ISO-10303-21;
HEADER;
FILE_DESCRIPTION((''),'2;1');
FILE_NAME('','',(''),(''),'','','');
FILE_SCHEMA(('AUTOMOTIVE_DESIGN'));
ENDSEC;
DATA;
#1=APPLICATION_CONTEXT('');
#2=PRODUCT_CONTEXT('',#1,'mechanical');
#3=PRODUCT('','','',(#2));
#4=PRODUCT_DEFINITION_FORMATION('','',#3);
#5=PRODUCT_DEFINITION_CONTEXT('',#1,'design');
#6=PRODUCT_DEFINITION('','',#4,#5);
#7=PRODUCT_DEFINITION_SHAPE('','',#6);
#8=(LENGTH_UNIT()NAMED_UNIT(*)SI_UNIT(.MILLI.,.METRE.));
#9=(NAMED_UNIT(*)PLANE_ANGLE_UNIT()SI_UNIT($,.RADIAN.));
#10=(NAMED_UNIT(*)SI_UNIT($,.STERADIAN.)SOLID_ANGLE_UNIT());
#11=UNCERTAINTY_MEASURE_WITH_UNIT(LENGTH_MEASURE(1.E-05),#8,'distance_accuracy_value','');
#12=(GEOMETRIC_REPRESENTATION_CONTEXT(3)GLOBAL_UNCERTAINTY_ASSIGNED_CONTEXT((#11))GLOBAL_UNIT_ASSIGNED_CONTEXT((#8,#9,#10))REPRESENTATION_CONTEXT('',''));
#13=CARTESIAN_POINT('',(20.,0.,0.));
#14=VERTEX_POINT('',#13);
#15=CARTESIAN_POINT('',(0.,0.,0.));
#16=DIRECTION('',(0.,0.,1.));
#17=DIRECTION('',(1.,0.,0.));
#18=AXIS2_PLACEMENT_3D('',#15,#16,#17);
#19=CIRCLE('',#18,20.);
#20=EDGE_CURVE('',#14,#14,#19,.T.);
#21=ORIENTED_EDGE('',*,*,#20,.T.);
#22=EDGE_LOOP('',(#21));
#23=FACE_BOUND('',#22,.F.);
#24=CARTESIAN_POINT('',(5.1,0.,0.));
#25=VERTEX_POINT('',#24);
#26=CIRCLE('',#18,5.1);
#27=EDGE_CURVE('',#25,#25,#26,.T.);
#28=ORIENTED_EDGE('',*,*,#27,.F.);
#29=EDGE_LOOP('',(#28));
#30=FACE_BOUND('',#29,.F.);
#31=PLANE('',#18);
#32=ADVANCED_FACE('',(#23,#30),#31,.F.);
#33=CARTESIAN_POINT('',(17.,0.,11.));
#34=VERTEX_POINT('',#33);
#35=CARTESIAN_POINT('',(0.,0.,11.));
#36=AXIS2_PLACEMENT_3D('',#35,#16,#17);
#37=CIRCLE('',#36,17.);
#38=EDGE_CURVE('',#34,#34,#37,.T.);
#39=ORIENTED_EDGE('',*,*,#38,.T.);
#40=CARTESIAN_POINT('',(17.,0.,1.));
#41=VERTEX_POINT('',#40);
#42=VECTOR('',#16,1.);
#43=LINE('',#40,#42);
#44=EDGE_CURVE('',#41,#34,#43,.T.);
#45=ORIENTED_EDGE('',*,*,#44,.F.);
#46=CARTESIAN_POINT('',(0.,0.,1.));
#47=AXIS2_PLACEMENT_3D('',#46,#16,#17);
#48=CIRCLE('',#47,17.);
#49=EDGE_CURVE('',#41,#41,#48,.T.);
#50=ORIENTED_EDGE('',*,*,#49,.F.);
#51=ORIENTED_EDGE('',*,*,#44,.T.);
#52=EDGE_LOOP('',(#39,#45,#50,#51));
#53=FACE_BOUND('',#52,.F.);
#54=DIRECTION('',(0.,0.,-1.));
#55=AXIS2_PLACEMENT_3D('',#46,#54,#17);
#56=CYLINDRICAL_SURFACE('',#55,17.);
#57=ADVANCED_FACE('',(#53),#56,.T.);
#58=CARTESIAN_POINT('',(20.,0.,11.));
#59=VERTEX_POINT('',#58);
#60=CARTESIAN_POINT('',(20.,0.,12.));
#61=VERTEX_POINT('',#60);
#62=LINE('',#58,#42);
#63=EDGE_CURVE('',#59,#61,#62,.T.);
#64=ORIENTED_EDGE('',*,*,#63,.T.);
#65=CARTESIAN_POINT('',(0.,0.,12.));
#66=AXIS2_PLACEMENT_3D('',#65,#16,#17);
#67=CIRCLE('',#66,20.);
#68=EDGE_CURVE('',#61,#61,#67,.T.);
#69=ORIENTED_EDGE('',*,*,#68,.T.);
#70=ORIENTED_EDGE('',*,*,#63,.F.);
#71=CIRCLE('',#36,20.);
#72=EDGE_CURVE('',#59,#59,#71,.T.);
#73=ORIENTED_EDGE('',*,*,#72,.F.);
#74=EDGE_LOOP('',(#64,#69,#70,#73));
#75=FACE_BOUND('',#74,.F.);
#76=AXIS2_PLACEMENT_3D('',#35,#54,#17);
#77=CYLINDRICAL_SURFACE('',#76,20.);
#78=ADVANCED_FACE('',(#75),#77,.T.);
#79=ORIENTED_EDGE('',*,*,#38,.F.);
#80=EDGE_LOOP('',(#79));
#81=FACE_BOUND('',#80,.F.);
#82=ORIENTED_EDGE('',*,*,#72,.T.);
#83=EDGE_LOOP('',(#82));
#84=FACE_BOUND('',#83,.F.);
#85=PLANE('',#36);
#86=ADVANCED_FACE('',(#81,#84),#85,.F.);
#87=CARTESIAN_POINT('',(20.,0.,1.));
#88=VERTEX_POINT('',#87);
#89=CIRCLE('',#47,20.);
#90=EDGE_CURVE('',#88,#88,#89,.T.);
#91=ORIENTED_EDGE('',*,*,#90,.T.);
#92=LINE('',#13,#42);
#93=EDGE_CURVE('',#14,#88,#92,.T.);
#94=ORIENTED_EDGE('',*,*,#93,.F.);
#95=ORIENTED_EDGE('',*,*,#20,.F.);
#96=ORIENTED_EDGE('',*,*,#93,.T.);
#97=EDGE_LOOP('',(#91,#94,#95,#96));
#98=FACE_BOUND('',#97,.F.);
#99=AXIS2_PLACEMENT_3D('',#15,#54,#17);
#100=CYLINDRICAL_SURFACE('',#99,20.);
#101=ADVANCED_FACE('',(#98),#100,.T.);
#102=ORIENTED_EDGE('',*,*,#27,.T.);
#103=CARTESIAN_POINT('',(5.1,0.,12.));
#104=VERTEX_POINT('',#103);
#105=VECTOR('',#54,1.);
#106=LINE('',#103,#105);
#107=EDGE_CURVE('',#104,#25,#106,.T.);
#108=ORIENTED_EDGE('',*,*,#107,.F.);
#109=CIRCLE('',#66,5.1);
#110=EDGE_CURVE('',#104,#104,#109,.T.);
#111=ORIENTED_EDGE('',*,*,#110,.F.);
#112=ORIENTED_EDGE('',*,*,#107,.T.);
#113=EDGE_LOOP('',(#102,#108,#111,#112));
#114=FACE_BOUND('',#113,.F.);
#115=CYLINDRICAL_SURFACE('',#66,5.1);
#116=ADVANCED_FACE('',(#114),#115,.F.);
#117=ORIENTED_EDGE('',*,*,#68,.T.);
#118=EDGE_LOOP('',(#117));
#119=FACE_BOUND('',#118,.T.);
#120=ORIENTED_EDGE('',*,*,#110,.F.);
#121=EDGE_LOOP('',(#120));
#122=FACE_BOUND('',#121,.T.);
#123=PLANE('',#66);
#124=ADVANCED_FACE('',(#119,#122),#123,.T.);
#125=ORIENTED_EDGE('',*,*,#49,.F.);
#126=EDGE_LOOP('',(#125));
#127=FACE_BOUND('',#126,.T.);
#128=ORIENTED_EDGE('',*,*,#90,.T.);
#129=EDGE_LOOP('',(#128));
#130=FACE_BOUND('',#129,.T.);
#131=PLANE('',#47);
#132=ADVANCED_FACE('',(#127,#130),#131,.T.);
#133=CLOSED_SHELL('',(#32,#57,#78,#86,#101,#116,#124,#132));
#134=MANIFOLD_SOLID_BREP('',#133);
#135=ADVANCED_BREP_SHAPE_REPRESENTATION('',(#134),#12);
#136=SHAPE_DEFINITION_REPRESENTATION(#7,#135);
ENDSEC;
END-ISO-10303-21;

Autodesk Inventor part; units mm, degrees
ref_plane "YZ Plane" through (0, 0, 0) normal (1, 0, 0) x (0, 1, 0)
ref_plane "XZ Plane" through (0, 0, 0) normal (0, 1, 0) x (-1, 0, 0)
ref_plane "XY Plane" through (0, 0, 0) normal (0, 0, 1) x (1, 0, 0)
sketch "Skizze1" plane through (0, 0, 0) normal (0, 0, 1) x (1, 0, 0)
  circle A0 centre (0, 0) radius 20
  dimension "d0" = 40
extrude "Extrusion1" add sketch "Skizze1" along normal blind 1
sketch "Skizze2" plane through (0, 0, 1) normal (0, 0, 1) x (1, 0, 0)
  circle A0 centre (0, 0) radius 20 projected
  circle A1 centre (0, 0) radius 17
  dimension "d3" = 34
extrude "Extrusion2" add sketch "Skizze2" along normal blind 10 contours A1
sketch "Skizze3" plane through (0, 0, 11) normal (0, 0, 1) x (1, 0, 0)
  circle A0 centre (0, 0) radius 17 projected
  circle A1 centre (0, 0) radius 20
  dimension "d6" = 40
extrude "Extrusion3" add sketch "Skizze3" along normal blind 1 contours A0 | A1
sketch "Skizze6" plane through (0, 0, 12) normal (0, 0, 1) x (1, 0, 0)
  circle A0 centre (0, 0) radius 20 projected
  circle A1 centre (0, 0) radius 5.1
  dimension "d16" = 10.2
extrude "Extrusion6" cut sketch "Skizze6" against normal through all contours A1
properties part number "Motorstange" material "PC/ABS-Kunststoff"
